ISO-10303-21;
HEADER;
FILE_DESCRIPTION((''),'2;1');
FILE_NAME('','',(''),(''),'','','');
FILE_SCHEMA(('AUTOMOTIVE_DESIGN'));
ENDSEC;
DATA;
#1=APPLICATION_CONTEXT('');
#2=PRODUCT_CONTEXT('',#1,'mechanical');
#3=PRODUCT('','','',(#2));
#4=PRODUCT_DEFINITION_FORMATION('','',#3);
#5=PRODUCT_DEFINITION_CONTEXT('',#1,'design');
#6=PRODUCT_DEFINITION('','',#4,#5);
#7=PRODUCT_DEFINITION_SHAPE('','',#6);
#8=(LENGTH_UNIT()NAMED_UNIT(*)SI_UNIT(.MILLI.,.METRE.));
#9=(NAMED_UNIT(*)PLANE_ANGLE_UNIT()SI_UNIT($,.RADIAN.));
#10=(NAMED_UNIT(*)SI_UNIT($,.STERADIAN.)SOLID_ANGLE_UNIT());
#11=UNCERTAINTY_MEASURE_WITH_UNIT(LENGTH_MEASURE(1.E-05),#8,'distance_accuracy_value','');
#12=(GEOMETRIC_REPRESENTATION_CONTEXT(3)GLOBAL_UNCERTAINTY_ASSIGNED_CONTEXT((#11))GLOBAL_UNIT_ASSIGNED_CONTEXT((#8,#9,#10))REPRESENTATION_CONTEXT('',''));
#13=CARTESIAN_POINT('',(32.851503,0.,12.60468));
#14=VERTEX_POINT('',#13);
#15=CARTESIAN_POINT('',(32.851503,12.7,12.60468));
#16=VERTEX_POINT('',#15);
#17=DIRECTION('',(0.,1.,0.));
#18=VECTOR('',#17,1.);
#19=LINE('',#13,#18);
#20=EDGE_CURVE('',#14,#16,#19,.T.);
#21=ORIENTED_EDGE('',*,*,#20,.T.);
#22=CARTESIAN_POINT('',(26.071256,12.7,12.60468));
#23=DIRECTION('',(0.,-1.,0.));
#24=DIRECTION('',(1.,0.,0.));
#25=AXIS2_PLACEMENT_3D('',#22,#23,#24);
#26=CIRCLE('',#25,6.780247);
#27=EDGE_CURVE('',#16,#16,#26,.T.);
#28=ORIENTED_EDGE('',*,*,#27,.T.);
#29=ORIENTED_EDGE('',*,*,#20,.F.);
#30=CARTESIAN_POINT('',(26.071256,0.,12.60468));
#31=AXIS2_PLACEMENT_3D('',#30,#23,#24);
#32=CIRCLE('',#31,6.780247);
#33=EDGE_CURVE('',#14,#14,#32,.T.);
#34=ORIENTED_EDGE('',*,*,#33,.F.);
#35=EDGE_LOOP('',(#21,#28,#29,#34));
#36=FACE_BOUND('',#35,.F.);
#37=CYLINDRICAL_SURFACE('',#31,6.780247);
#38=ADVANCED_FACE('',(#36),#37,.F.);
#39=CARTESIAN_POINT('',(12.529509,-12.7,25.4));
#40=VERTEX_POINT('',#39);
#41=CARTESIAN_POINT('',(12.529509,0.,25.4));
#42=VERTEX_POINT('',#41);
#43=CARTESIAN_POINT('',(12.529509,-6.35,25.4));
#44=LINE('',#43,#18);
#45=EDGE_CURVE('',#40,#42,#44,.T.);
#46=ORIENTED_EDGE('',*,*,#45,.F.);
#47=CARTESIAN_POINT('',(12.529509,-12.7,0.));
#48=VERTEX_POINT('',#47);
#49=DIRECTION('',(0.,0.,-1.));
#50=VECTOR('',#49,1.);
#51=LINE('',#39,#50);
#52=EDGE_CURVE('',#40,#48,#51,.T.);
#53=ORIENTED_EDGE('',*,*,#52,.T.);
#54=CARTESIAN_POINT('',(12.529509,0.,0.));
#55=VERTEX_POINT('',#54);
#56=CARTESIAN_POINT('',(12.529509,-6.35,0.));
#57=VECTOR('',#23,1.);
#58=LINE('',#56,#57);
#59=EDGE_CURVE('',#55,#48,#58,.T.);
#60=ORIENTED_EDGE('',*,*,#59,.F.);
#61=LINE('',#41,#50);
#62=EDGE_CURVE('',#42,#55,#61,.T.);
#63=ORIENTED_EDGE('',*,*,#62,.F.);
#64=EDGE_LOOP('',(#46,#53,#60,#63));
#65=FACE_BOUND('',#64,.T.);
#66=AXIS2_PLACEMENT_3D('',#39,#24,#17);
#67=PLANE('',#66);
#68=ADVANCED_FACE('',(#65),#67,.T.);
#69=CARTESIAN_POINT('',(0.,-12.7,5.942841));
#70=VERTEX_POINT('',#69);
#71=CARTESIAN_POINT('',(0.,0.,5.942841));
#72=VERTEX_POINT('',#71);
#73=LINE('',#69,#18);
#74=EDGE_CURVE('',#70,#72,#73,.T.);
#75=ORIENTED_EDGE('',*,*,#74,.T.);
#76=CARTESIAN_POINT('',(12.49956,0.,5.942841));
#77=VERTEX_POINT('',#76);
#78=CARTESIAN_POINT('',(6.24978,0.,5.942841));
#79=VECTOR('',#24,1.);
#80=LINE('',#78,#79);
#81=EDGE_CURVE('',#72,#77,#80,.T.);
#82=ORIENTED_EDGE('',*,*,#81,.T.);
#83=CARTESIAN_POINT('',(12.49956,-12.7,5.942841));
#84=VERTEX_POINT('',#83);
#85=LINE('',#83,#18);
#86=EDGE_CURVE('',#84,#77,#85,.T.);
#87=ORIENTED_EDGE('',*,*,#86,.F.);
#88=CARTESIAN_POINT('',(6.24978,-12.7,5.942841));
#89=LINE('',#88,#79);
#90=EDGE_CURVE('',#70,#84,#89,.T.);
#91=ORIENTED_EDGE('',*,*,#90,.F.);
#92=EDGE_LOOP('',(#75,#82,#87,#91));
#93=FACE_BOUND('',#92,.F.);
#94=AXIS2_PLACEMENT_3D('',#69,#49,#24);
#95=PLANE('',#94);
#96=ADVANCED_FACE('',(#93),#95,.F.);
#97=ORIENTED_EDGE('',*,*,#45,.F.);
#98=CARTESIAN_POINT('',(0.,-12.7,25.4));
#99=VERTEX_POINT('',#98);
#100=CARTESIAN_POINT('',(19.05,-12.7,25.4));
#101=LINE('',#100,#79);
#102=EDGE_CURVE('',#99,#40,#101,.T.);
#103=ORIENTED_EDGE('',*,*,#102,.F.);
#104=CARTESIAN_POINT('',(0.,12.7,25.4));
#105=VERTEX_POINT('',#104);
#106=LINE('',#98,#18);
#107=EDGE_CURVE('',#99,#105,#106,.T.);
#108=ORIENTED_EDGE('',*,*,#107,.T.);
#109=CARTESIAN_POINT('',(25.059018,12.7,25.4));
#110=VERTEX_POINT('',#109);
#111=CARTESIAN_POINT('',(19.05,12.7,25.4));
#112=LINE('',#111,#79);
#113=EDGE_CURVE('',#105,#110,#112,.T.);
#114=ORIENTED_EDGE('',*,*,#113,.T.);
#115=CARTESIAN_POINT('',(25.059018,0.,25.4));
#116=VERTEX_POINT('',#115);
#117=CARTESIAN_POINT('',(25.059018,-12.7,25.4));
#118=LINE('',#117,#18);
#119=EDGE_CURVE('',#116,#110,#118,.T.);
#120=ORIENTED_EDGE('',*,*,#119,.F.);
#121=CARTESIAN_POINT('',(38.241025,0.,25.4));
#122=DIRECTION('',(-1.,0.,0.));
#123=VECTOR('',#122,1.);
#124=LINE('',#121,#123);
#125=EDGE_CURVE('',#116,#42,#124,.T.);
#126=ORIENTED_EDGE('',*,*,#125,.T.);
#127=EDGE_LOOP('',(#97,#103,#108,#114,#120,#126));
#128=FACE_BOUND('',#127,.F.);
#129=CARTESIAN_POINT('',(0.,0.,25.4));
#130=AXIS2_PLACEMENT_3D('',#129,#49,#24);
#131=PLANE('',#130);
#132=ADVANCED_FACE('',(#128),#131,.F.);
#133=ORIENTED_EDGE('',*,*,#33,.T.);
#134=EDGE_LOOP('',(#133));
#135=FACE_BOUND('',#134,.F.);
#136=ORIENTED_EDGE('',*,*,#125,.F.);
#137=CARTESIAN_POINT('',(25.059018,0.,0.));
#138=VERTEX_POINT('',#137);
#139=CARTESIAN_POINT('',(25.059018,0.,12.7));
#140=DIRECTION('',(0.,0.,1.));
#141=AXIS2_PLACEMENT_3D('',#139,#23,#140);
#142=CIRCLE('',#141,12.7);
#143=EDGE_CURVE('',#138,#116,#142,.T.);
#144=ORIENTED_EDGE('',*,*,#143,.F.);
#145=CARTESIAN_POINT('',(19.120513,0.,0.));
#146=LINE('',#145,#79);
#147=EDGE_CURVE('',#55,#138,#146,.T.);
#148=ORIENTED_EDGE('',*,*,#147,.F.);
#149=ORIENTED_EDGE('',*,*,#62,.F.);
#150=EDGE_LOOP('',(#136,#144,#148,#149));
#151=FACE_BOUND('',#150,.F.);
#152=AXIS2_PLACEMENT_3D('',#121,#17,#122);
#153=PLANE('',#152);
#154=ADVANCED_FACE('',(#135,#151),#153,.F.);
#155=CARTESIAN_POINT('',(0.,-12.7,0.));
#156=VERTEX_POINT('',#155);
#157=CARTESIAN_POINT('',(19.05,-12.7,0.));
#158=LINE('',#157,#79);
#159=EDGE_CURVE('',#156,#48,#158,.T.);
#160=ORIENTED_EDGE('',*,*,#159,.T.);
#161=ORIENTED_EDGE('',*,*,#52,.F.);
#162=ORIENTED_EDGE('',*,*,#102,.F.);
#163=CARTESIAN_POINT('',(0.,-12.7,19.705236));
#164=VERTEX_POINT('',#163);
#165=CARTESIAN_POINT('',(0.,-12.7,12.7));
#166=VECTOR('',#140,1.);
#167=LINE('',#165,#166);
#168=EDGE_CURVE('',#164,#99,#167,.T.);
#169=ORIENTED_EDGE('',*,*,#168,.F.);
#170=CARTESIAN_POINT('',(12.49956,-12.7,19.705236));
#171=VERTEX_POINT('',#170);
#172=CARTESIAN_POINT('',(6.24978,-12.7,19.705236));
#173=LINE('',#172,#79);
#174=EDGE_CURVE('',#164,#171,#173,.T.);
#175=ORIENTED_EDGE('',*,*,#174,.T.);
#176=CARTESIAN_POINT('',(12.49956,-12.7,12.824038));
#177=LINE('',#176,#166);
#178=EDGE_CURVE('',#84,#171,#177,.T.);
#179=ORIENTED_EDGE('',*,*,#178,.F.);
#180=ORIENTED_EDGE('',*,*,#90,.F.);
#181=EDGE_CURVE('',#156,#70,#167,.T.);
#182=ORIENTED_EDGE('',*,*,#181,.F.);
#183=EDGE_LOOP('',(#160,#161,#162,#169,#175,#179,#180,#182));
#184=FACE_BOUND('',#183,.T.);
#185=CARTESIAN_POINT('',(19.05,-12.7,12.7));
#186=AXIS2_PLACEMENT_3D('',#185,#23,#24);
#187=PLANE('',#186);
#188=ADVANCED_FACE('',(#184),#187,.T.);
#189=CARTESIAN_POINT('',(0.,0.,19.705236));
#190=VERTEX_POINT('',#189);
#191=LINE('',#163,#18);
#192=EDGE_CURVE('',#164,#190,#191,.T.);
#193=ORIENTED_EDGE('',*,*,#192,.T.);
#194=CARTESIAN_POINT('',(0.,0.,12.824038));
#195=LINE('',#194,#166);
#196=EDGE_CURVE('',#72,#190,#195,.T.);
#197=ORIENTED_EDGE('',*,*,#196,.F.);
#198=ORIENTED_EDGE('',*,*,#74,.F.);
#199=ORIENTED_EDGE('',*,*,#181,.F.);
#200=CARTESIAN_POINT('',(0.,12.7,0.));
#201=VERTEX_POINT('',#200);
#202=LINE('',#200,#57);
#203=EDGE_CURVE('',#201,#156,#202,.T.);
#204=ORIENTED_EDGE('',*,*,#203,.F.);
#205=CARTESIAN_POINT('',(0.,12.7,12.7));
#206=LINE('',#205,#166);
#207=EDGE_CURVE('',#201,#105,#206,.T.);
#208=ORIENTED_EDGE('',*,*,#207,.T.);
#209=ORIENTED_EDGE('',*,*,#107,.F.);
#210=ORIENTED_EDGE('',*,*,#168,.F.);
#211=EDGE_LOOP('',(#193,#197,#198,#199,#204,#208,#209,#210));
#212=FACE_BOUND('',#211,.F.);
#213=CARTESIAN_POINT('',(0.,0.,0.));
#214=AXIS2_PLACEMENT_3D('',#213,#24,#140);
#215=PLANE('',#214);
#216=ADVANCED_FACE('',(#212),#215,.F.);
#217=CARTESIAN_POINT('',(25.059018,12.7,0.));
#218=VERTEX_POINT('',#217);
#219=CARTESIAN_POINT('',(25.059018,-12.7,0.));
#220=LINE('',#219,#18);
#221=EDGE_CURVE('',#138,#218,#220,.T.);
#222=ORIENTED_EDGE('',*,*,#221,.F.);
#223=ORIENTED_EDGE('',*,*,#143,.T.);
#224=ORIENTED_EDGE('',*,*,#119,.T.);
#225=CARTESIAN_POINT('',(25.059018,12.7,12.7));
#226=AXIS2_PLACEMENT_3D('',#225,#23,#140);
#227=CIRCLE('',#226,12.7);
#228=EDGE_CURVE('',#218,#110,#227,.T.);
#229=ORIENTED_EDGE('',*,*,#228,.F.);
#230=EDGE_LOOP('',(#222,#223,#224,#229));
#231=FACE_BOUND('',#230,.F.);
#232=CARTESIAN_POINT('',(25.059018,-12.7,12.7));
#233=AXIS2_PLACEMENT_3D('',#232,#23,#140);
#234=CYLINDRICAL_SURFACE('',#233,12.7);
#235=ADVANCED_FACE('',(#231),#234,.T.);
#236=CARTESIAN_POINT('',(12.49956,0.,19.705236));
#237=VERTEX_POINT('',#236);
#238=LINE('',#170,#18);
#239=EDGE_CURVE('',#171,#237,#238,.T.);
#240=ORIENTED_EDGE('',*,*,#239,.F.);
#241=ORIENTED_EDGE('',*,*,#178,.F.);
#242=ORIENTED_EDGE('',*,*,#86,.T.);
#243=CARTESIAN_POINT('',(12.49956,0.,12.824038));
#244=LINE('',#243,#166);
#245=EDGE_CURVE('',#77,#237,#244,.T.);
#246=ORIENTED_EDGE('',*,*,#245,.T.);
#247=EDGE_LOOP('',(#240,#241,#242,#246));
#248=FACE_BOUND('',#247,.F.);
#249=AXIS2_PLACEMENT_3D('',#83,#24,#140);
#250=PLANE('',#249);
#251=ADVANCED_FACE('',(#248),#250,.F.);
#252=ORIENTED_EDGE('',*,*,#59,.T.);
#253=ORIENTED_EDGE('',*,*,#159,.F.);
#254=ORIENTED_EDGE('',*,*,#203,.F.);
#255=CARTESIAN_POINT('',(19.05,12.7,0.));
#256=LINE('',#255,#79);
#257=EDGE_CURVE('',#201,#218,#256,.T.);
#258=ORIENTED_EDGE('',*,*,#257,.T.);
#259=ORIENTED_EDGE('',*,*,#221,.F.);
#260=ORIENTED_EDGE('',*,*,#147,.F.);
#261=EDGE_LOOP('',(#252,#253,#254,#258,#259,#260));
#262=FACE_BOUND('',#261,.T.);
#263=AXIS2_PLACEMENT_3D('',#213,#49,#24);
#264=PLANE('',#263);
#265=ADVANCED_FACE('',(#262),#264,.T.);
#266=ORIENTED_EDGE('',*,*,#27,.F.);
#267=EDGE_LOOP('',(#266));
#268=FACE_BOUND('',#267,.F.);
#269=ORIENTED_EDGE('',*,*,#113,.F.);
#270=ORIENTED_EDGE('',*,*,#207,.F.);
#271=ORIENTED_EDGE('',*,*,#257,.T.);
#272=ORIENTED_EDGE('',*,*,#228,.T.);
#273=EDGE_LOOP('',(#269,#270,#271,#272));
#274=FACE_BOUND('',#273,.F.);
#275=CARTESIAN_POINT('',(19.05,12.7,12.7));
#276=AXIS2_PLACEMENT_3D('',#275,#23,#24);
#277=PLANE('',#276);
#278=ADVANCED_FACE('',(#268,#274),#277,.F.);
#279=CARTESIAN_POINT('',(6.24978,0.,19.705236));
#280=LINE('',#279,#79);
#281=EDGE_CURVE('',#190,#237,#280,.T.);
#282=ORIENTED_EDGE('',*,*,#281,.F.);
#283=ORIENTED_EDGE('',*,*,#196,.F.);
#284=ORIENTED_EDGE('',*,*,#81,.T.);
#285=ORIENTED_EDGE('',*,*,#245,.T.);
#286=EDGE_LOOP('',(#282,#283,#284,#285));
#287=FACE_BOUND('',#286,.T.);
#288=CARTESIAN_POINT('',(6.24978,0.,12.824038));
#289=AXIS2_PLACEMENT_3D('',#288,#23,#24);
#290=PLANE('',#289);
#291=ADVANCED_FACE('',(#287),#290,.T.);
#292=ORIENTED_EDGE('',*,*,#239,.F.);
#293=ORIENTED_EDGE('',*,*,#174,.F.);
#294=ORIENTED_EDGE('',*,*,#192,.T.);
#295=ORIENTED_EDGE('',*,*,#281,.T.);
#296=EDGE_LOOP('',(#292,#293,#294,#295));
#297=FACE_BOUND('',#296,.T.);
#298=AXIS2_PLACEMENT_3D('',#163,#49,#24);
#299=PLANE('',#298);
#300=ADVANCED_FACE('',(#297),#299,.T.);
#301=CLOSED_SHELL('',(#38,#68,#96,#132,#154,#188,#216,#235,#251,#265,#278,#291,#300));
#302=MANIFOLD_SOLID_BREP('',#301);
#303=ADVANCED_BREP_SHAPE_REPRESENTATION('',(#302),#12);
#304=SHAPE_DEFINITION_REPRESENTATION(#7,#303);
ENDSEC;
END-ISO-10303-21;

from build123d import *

# Parameters (mm, degrees)
F0_W     = 38.1
F0_H     = 25.4
F1_DEPTH = 12.7
F3_DEPTH = 25.401
F4_W     = 12.529509142
F4_H     = 12.7
F4_W_2   = 13.1820067763
F5_DEPTH = 25.401
F6_W     = 12.4995596707
F6_H     = 13.7623953633
F7_DEPTH = 12.7
F8_R     = 6.780247306
F9_DEPTH = 12.701


with BuildPart() as f1:
    # F0 (on Front) → F1 (new body, symmetric)
    with BuildSketch(Plane.XZ):
        with Locations((19.05, 12.7)):
            Rectangle(F0_W, F0_H)
    extrude(amount=F1_DEPTH, both=True)

    # F2 (on face) → F3 (cut, through all)
    with BuildSketch(Plane.XZ.offset(12.7)):
        with BuildLine():
            Line((38.1, 25.4), (25.0590182841, 25.4))
            ThreePointArc((25.0590182841, 25.4), (37.7590182841, 12.7), (25.0590182841, 0))
            Line((25.0590182841, 0), (38.1, 0))
            Line((38.1, 0), (38.1, 25.4))
        make_face()
    extrude(amount=-F3_DEPTH, mode=Mode.SUBTRACT)

    # F4 (on face) → F5 (cut, through all)
    with BuildSketch(Plane.XY.offset(25.4)):
        with Locations((18.7942637131, -6.35)):
            Rectangle(F4_W, F4_H)
        with Locations((31.6500216722, -6.35)):
            Rectangle(F4_W_2, F4_H)
    extrude(amount=-F5_DEPTH, mode=Mode.SUBTRACT)

    # F6 (on face) → F7 (cut)
    with BuildSketch(Plane.XZ.offset(12.7)):
        with Locations((6.2497798353, 12.8240382764)):
            Rectangle(F6_W, F6_H)
    extrude(amount=-F7_DEPTH, mode=Mode.SUBTRACT)

    # F8 (on face) → F9 (cut, through all)
    with BuildSketch(Plane.XZ):
        with Locations((26.0712560266, 12.6046799123)):
            Circle(F8_R)
    extrude(amount=-F9_DEPTH, mode=Mode.SUBTRACT)


solid = f1.part
